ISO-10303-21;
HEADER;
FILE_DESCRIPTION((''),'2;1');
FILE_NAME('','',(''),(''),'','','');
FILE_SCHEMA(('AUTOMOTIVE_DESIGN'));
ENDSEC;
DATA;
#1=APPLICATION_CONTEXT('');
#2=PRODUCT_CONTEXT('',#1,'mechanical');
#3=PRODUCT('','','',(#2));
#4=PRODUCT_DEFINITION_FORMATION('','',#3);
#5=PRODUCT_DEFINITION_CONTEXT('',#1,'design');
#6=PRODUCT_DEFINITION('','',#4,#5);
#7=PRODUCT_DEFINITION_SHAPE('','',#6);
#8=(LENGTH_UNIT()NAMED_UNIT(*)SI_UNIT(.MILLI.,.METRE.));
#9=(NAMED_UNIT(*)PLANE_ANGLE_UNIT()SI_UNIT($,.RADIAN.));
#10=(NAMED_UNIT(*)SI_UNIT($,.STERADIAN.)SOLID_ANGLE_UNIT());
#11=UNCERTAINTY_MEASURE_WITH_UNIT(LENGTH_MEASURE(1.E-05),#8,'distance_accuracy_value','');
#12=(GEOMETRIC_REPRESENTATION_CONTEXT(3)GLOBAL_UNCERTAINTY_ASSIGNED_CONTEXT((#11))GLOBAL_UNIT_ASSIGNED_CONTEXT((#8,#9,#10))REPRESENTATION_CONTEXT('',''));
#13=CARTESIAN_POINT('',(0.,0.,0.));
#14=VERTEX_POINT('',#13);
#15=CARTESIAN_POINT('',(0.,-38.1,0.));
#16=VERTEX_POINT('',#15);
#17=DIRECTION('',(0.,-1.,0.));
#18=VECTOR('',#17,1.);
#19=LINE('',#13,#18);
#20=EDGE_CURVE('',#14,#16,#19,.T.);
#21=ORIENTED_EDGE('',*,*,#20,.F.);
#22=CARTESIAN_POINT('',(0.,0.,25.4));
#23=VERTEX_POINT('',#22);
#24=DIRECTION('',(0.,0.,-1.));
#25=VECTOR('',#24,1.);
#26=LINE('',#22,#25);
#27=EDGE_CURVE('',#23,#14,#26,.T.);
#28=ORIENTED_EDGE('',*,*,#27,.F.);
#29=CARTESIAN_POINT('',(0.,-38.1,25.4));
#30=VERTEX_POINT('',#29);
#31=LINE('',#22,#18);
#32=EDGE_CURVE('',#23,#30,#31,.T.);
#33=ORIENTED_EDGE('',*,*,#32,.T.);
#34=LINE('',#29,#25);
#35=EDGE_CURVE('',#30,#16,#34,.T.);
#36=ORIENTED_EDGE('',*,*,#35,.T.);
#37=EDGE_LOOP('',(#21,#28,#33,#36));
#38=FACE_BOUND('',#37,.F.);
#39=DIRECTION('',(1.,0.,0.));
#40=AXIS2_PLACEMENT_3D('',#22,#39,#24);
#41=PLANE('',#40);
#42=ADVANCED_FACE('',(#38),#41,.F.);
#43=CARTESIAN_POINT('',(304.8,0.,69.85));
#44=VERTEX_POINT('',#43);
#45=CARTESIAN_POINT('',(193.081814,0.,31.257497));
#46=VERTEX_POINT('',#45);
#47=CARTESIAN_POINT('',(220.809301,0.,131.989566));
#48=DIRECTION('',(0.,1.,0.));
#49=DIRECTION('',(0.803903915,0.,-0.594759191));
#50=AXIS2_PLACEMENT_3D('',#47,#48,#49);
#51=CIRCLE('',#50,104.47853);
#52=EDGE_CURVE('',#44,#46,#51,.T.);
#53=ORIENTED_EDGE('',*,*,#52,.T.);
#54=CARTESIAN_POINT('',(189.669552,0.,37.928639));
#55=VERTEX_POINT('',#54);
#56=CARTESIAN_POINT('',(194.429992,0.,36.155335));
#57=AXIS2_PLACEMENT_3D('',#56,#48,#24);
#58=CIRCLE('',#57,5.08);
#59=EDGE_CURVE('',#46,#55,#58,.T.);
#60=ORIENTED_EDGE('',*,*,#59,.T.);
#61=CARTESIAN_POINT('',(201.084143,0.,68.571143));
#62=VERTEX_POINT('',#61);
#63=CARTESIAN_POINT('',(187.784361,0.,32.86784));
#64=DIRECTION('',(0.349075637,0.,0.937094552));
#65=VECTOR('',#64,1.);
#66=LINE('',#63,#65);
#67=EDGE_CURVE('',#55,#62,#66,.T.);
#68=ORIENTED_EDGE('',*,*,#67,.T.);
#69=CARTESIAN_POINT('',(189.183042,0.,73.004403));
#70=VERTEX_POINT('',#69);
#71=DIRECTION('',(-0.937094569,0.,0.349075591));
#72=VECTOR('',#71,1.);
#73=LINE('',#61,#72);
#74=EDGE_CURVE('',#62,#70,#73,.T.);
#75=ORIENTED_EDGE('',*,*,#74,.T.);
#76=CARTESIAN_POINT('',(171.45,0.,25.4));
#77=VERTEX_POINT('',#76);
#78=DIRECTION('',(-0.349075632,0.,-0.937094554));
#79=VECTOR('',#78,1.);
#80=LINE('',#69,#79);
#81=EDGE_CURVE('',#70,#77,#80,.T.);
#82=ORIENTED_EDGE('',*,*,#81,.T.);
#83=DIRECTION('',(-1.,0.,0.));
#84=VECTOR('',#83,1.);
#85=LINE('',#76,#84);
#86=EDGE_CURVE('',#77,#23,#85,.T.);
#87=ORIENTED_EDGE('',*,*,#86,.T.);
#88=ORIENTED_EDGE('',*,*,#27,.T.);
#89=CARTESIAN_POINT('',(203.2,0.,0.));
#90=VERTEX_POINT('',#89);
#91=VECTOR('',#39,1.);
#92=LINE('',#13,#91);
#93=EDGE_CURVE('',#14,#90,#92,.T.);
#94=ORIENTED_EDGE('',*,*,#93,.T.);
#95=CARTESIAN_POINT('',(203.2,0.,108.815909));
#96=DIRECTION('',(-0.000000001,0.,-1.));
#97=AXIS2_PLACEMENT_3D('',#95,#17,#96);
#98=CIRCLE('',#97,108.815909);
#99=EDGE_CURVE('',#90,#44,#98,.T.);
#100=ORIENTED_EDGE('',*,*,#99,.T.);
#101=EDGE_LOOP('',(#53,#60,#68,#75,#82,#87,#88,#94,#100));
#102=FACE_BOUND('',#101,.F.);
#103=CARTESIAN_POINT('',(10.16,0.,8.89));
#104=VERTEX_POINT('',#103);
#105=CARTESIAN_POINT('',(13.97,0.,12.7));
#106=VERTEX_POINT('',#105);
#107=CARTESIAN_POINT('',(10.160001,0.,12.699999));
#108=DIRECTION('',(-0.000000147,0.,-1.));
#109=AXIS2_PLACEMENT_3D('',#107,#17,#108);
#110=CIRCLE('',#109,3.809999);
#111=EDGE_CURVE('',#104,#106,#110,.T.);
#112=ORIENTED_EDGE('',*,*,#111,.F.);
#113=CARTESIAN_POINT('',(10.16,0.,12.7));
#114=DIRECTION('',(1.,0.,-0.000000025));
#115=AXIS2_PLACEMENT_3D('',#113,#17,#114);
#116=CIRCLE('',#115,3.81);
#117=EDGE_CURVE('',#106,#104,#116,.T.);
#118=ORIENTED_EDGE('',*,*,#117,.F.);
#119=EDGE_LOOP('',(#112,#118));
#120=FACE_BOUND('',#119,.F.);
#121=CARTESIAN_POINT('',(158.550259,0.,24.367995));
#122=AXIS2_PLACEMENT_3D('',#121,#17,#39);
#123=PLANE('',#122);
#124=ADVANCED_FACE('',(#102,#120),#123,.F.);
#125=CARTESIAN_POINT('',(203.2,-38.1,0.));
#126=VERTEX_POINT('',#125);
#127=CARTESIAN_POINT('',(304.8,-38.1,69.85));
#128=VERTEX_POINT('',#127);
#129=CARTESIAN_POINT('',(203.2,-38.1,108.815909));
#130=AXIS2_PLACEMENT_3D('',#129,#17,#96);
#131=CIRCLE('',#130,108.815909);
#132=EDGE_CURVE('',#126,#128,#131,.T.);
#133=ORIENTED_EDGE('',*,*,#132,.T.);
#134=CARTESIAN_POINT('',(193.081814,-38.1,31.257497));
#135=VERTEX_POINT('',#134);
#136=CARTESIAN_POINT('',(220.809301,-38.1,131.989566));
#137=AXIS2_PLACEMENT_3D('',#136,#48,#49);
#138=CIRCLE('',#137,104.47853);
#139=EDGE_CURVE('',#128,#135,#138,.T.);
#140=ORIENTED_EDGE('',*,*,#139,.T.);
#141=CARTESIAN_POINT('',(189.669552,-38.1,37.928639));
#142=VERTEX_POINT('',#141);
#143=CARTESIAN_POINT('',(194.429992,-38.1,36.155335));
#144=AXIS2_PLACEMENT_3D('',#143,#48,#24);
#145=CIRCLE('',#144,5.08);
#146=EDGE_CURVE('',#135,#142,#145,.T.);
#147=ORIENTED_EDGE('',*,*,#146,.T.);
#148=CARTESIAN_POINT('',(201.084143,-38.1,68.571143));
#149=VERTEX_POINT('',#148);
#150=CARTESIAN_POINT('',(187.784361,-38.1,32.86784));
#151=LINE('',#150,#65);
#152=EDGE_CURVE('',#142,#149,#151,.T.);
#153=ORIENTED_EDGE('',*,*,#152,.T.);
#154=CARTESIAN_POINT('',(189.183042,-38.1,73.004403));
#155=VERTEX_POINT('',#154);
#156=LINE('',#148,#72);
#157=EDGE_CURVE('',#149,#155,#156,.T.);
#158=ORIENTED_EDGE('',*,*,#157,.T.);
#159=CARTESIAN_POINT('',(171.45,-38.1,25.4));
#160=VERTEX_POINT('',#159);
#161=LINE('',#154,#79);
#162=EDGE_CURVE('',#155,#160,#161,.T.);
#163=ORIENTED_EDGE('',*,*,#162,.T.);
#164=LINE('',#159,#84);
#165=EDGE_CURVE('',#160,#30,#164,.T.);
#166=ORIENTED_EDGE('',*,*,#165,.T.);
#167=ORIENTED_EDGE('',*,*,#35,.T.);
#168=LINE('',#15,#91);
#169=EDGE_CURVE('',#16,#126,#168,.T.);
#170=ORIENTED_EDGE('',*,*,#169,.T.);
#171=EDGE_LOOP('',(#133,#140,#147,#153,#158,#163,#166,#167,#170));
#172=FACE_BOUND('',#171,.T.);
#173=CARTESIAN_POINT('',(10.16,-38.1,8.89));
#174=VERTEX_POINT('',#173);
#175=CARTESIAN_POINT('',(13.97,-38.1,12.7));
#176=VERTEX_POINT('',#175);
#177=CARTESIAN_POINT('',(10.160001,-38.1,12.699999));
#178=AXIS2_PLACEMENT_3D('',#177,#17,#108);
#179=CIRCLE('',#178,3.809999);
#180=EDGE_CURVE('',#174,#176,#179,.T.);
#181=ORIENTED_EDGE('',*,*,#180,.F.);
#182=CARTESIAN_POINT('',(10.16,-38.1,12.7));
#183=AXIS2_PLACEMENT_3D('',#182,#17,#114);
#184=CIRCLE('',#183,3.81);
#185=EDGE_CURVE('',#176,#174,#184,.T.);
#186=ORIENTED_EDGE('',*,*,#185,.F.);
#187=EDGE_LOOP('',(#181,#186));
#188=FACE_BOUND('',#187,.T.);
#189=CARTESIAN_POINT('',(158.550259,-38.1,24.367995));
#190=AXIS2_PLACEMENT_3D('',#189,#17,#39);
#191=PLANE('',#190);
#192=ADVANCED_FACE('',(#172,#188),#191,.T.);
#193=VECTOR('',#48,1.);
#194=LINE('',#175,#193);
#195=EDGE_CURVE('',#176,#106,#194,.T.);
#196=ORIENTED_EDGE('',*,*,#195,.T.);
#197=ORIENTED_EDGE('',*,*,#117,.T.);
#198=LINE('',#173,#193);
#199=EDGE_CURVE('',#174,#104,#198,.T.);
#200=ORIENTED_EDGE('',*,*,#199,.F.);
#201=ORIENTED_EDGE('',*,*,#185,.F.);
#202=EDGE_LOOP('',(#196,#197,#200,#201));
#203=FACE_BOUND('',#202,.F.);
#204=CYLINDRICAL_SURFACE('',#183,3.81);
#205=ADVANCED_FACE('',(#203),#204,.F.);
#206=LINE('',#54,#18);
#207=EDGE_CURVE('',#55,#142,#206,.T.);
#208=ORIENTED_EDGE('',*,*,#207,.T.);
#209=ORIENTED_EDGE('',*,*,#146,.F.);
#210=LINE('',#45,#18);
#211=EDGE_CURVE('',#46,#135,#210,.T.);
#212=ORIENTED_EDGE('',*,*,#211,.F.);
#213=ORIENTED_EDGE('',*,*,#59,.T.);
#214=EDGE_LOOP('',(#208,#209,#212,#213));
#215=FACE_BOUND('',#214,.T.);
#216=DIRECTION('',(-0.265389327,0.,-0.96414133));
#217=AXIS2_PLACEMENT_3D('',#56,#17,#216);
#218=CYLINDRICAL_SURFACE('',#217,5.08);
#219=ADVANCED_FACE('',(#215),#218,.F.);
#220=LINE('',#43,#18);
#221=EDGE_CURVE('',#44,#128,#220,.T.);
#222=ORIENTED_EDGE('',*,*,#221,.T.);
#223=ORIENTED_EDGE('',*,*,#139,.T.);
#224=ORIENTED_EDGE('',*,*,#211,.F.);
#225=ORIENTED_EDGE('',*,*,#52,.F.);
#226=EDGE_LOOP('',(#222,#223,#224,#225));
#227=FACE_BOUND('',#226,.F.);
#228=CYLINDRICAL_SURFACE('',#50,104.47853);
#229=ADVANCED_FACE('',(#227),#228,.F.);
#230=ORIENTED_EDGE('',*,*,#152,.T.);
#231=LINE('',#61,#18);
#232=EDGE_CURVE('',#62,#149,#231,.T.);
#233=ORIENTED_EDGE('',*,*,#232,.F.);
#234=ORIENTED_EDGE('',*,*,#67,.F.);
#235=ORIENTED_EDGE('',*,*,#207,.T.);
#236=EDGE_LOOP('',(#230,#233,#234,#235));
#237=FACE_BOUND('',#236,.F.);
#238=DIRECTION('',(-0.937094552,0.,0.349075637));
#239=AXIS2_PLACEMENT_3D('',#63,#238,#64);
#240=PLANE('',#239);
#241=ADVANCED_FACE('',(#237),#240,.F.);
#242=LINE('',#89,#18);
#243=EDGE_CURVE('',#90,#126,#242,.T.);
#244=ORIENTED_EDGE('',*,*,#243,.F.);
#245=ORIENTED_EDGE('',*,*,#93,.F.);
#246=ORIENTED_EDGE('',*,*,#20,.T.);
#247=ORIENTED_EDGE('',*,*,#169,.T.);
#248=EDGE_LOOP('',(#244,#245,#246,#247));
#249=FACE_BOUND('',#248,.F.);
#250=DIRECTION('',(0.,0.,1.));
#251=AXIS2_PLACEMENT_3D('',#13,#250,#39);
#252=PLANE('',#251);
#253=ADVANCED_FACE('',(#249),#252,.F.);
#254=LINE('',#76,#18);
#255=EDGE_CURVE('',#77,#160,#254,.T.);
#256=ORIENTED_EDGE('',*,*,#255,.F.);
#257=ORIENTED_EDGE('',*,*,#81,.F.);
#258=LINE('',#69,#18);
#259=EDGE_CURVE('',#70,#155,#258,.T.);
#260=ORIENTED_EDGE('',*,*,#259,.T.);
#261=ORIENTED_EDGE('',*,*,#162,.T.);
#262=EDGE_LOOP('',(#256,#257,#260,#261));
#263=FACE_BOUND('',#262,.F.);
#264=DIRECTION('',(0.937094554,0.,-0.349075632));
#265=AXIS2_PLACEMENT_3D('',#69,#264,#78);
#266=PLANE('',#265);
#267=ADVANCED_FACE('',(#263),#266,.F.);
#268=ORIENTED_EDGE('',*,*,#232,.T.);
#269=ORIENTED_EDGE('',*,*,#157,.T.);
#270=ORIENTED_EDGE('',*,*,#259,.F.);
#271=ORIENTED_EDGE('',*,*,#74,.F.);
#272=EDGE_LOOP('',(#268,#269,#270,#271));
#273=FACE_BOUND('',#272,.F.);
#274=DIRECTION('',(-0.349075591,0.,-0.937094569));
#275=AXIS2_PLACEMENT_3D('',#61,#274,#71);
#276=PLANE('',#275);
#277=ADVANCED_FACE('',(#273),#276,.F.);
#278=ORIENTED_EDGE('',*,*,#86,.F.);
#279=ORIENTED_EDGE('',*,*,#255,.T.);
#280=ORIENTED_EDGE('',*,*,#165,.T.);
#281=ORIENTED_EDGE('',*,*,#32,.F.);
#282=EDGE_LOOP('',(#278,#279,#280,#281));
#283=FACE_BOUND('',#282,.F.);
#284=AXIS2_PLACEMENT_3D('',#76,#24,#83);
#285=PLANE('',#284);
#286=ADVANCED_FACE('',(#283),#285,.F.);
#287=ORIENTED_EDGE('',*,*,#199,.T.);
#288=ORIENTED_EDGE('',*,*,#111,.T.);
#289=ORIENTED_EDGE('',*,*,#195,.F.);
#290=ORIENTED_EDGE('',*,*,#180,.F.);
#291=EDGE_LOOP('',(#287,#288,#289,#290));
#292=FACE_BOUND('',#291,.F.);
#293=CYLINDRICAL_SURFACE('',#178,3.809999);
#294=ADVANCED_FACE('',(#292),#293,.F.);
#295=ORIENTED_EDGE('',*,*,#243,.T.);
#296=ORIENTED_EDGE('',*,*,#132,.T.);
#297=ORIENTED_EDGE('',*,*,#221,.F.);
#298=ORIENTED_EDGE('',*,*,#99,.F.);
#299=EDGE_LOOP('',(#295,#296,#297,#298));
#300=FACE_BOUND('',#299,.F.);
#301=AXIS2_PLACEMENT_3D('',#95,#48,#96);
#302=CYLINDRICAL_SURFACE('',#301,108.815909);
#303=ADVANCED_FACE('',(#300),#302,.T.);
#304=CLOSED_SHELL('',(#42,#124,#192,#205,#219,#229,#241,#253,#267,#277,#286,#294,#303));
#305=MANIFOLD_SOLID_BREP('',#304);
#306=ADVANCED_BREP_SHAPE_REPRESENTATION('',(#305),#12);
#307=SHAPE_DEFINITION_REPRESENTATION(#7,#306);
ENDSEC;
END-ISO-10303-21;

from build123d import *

# Parameters (mm, degrees)
F1_DEPTH = 38.1
F3_DEPTH = 50.8
F4_R     = 5.08


with BuildPart() as f1:
    # F0 (on Front) → F1 (new body)
    with BuildSketch(Plane.XZ):
        with BuildLine():
            Line((0, 25.4), (0, 0))
            Line((0, 0), (203.2, 0))
            ThreePointArc((203.2, 0), (264.847349, 19.147038), (304.8, 69.85))
            ThreePointArc((304.8, 69.85), (252.294174, 32.367952), (187.784361, 32.86784))
            Line((187.784361, 32.86784), (201.084143, 68.571143))
            Line((201.084143, 68.571143), (189.183042, 73.004403))
            Line((189.183042, 73.004403), (171.45, 25.4))
            Line((171.45, 25.4), (0, 25.4))
        make_face()
    extrude(amount=F1_DEPTH)

    # F2 (on face) → F3 (cut)
    with BuildSketch(Plane.XZ.offset(38.1)):
        with BuildLine():
            ThreePointArc((13.97, 12.7), (7.465923, 15.394077), (10.16, 8.89))
            ThreePointArc((10.16, 8.89), (12.854077, 10.005923), (13.97, 12.7))
        make_face()
    extrude(amount=-F3_DEPTH, mode=Mode.SUBTRACT)

    # F4
    f4_edges = [f1.edges().sort_by_distance(p)[0] for p in [
        (187.784361, -19.05, 32.86784),
    ]]
    fillet(f4_edges, radius=F4_R)


solid = f1.part
